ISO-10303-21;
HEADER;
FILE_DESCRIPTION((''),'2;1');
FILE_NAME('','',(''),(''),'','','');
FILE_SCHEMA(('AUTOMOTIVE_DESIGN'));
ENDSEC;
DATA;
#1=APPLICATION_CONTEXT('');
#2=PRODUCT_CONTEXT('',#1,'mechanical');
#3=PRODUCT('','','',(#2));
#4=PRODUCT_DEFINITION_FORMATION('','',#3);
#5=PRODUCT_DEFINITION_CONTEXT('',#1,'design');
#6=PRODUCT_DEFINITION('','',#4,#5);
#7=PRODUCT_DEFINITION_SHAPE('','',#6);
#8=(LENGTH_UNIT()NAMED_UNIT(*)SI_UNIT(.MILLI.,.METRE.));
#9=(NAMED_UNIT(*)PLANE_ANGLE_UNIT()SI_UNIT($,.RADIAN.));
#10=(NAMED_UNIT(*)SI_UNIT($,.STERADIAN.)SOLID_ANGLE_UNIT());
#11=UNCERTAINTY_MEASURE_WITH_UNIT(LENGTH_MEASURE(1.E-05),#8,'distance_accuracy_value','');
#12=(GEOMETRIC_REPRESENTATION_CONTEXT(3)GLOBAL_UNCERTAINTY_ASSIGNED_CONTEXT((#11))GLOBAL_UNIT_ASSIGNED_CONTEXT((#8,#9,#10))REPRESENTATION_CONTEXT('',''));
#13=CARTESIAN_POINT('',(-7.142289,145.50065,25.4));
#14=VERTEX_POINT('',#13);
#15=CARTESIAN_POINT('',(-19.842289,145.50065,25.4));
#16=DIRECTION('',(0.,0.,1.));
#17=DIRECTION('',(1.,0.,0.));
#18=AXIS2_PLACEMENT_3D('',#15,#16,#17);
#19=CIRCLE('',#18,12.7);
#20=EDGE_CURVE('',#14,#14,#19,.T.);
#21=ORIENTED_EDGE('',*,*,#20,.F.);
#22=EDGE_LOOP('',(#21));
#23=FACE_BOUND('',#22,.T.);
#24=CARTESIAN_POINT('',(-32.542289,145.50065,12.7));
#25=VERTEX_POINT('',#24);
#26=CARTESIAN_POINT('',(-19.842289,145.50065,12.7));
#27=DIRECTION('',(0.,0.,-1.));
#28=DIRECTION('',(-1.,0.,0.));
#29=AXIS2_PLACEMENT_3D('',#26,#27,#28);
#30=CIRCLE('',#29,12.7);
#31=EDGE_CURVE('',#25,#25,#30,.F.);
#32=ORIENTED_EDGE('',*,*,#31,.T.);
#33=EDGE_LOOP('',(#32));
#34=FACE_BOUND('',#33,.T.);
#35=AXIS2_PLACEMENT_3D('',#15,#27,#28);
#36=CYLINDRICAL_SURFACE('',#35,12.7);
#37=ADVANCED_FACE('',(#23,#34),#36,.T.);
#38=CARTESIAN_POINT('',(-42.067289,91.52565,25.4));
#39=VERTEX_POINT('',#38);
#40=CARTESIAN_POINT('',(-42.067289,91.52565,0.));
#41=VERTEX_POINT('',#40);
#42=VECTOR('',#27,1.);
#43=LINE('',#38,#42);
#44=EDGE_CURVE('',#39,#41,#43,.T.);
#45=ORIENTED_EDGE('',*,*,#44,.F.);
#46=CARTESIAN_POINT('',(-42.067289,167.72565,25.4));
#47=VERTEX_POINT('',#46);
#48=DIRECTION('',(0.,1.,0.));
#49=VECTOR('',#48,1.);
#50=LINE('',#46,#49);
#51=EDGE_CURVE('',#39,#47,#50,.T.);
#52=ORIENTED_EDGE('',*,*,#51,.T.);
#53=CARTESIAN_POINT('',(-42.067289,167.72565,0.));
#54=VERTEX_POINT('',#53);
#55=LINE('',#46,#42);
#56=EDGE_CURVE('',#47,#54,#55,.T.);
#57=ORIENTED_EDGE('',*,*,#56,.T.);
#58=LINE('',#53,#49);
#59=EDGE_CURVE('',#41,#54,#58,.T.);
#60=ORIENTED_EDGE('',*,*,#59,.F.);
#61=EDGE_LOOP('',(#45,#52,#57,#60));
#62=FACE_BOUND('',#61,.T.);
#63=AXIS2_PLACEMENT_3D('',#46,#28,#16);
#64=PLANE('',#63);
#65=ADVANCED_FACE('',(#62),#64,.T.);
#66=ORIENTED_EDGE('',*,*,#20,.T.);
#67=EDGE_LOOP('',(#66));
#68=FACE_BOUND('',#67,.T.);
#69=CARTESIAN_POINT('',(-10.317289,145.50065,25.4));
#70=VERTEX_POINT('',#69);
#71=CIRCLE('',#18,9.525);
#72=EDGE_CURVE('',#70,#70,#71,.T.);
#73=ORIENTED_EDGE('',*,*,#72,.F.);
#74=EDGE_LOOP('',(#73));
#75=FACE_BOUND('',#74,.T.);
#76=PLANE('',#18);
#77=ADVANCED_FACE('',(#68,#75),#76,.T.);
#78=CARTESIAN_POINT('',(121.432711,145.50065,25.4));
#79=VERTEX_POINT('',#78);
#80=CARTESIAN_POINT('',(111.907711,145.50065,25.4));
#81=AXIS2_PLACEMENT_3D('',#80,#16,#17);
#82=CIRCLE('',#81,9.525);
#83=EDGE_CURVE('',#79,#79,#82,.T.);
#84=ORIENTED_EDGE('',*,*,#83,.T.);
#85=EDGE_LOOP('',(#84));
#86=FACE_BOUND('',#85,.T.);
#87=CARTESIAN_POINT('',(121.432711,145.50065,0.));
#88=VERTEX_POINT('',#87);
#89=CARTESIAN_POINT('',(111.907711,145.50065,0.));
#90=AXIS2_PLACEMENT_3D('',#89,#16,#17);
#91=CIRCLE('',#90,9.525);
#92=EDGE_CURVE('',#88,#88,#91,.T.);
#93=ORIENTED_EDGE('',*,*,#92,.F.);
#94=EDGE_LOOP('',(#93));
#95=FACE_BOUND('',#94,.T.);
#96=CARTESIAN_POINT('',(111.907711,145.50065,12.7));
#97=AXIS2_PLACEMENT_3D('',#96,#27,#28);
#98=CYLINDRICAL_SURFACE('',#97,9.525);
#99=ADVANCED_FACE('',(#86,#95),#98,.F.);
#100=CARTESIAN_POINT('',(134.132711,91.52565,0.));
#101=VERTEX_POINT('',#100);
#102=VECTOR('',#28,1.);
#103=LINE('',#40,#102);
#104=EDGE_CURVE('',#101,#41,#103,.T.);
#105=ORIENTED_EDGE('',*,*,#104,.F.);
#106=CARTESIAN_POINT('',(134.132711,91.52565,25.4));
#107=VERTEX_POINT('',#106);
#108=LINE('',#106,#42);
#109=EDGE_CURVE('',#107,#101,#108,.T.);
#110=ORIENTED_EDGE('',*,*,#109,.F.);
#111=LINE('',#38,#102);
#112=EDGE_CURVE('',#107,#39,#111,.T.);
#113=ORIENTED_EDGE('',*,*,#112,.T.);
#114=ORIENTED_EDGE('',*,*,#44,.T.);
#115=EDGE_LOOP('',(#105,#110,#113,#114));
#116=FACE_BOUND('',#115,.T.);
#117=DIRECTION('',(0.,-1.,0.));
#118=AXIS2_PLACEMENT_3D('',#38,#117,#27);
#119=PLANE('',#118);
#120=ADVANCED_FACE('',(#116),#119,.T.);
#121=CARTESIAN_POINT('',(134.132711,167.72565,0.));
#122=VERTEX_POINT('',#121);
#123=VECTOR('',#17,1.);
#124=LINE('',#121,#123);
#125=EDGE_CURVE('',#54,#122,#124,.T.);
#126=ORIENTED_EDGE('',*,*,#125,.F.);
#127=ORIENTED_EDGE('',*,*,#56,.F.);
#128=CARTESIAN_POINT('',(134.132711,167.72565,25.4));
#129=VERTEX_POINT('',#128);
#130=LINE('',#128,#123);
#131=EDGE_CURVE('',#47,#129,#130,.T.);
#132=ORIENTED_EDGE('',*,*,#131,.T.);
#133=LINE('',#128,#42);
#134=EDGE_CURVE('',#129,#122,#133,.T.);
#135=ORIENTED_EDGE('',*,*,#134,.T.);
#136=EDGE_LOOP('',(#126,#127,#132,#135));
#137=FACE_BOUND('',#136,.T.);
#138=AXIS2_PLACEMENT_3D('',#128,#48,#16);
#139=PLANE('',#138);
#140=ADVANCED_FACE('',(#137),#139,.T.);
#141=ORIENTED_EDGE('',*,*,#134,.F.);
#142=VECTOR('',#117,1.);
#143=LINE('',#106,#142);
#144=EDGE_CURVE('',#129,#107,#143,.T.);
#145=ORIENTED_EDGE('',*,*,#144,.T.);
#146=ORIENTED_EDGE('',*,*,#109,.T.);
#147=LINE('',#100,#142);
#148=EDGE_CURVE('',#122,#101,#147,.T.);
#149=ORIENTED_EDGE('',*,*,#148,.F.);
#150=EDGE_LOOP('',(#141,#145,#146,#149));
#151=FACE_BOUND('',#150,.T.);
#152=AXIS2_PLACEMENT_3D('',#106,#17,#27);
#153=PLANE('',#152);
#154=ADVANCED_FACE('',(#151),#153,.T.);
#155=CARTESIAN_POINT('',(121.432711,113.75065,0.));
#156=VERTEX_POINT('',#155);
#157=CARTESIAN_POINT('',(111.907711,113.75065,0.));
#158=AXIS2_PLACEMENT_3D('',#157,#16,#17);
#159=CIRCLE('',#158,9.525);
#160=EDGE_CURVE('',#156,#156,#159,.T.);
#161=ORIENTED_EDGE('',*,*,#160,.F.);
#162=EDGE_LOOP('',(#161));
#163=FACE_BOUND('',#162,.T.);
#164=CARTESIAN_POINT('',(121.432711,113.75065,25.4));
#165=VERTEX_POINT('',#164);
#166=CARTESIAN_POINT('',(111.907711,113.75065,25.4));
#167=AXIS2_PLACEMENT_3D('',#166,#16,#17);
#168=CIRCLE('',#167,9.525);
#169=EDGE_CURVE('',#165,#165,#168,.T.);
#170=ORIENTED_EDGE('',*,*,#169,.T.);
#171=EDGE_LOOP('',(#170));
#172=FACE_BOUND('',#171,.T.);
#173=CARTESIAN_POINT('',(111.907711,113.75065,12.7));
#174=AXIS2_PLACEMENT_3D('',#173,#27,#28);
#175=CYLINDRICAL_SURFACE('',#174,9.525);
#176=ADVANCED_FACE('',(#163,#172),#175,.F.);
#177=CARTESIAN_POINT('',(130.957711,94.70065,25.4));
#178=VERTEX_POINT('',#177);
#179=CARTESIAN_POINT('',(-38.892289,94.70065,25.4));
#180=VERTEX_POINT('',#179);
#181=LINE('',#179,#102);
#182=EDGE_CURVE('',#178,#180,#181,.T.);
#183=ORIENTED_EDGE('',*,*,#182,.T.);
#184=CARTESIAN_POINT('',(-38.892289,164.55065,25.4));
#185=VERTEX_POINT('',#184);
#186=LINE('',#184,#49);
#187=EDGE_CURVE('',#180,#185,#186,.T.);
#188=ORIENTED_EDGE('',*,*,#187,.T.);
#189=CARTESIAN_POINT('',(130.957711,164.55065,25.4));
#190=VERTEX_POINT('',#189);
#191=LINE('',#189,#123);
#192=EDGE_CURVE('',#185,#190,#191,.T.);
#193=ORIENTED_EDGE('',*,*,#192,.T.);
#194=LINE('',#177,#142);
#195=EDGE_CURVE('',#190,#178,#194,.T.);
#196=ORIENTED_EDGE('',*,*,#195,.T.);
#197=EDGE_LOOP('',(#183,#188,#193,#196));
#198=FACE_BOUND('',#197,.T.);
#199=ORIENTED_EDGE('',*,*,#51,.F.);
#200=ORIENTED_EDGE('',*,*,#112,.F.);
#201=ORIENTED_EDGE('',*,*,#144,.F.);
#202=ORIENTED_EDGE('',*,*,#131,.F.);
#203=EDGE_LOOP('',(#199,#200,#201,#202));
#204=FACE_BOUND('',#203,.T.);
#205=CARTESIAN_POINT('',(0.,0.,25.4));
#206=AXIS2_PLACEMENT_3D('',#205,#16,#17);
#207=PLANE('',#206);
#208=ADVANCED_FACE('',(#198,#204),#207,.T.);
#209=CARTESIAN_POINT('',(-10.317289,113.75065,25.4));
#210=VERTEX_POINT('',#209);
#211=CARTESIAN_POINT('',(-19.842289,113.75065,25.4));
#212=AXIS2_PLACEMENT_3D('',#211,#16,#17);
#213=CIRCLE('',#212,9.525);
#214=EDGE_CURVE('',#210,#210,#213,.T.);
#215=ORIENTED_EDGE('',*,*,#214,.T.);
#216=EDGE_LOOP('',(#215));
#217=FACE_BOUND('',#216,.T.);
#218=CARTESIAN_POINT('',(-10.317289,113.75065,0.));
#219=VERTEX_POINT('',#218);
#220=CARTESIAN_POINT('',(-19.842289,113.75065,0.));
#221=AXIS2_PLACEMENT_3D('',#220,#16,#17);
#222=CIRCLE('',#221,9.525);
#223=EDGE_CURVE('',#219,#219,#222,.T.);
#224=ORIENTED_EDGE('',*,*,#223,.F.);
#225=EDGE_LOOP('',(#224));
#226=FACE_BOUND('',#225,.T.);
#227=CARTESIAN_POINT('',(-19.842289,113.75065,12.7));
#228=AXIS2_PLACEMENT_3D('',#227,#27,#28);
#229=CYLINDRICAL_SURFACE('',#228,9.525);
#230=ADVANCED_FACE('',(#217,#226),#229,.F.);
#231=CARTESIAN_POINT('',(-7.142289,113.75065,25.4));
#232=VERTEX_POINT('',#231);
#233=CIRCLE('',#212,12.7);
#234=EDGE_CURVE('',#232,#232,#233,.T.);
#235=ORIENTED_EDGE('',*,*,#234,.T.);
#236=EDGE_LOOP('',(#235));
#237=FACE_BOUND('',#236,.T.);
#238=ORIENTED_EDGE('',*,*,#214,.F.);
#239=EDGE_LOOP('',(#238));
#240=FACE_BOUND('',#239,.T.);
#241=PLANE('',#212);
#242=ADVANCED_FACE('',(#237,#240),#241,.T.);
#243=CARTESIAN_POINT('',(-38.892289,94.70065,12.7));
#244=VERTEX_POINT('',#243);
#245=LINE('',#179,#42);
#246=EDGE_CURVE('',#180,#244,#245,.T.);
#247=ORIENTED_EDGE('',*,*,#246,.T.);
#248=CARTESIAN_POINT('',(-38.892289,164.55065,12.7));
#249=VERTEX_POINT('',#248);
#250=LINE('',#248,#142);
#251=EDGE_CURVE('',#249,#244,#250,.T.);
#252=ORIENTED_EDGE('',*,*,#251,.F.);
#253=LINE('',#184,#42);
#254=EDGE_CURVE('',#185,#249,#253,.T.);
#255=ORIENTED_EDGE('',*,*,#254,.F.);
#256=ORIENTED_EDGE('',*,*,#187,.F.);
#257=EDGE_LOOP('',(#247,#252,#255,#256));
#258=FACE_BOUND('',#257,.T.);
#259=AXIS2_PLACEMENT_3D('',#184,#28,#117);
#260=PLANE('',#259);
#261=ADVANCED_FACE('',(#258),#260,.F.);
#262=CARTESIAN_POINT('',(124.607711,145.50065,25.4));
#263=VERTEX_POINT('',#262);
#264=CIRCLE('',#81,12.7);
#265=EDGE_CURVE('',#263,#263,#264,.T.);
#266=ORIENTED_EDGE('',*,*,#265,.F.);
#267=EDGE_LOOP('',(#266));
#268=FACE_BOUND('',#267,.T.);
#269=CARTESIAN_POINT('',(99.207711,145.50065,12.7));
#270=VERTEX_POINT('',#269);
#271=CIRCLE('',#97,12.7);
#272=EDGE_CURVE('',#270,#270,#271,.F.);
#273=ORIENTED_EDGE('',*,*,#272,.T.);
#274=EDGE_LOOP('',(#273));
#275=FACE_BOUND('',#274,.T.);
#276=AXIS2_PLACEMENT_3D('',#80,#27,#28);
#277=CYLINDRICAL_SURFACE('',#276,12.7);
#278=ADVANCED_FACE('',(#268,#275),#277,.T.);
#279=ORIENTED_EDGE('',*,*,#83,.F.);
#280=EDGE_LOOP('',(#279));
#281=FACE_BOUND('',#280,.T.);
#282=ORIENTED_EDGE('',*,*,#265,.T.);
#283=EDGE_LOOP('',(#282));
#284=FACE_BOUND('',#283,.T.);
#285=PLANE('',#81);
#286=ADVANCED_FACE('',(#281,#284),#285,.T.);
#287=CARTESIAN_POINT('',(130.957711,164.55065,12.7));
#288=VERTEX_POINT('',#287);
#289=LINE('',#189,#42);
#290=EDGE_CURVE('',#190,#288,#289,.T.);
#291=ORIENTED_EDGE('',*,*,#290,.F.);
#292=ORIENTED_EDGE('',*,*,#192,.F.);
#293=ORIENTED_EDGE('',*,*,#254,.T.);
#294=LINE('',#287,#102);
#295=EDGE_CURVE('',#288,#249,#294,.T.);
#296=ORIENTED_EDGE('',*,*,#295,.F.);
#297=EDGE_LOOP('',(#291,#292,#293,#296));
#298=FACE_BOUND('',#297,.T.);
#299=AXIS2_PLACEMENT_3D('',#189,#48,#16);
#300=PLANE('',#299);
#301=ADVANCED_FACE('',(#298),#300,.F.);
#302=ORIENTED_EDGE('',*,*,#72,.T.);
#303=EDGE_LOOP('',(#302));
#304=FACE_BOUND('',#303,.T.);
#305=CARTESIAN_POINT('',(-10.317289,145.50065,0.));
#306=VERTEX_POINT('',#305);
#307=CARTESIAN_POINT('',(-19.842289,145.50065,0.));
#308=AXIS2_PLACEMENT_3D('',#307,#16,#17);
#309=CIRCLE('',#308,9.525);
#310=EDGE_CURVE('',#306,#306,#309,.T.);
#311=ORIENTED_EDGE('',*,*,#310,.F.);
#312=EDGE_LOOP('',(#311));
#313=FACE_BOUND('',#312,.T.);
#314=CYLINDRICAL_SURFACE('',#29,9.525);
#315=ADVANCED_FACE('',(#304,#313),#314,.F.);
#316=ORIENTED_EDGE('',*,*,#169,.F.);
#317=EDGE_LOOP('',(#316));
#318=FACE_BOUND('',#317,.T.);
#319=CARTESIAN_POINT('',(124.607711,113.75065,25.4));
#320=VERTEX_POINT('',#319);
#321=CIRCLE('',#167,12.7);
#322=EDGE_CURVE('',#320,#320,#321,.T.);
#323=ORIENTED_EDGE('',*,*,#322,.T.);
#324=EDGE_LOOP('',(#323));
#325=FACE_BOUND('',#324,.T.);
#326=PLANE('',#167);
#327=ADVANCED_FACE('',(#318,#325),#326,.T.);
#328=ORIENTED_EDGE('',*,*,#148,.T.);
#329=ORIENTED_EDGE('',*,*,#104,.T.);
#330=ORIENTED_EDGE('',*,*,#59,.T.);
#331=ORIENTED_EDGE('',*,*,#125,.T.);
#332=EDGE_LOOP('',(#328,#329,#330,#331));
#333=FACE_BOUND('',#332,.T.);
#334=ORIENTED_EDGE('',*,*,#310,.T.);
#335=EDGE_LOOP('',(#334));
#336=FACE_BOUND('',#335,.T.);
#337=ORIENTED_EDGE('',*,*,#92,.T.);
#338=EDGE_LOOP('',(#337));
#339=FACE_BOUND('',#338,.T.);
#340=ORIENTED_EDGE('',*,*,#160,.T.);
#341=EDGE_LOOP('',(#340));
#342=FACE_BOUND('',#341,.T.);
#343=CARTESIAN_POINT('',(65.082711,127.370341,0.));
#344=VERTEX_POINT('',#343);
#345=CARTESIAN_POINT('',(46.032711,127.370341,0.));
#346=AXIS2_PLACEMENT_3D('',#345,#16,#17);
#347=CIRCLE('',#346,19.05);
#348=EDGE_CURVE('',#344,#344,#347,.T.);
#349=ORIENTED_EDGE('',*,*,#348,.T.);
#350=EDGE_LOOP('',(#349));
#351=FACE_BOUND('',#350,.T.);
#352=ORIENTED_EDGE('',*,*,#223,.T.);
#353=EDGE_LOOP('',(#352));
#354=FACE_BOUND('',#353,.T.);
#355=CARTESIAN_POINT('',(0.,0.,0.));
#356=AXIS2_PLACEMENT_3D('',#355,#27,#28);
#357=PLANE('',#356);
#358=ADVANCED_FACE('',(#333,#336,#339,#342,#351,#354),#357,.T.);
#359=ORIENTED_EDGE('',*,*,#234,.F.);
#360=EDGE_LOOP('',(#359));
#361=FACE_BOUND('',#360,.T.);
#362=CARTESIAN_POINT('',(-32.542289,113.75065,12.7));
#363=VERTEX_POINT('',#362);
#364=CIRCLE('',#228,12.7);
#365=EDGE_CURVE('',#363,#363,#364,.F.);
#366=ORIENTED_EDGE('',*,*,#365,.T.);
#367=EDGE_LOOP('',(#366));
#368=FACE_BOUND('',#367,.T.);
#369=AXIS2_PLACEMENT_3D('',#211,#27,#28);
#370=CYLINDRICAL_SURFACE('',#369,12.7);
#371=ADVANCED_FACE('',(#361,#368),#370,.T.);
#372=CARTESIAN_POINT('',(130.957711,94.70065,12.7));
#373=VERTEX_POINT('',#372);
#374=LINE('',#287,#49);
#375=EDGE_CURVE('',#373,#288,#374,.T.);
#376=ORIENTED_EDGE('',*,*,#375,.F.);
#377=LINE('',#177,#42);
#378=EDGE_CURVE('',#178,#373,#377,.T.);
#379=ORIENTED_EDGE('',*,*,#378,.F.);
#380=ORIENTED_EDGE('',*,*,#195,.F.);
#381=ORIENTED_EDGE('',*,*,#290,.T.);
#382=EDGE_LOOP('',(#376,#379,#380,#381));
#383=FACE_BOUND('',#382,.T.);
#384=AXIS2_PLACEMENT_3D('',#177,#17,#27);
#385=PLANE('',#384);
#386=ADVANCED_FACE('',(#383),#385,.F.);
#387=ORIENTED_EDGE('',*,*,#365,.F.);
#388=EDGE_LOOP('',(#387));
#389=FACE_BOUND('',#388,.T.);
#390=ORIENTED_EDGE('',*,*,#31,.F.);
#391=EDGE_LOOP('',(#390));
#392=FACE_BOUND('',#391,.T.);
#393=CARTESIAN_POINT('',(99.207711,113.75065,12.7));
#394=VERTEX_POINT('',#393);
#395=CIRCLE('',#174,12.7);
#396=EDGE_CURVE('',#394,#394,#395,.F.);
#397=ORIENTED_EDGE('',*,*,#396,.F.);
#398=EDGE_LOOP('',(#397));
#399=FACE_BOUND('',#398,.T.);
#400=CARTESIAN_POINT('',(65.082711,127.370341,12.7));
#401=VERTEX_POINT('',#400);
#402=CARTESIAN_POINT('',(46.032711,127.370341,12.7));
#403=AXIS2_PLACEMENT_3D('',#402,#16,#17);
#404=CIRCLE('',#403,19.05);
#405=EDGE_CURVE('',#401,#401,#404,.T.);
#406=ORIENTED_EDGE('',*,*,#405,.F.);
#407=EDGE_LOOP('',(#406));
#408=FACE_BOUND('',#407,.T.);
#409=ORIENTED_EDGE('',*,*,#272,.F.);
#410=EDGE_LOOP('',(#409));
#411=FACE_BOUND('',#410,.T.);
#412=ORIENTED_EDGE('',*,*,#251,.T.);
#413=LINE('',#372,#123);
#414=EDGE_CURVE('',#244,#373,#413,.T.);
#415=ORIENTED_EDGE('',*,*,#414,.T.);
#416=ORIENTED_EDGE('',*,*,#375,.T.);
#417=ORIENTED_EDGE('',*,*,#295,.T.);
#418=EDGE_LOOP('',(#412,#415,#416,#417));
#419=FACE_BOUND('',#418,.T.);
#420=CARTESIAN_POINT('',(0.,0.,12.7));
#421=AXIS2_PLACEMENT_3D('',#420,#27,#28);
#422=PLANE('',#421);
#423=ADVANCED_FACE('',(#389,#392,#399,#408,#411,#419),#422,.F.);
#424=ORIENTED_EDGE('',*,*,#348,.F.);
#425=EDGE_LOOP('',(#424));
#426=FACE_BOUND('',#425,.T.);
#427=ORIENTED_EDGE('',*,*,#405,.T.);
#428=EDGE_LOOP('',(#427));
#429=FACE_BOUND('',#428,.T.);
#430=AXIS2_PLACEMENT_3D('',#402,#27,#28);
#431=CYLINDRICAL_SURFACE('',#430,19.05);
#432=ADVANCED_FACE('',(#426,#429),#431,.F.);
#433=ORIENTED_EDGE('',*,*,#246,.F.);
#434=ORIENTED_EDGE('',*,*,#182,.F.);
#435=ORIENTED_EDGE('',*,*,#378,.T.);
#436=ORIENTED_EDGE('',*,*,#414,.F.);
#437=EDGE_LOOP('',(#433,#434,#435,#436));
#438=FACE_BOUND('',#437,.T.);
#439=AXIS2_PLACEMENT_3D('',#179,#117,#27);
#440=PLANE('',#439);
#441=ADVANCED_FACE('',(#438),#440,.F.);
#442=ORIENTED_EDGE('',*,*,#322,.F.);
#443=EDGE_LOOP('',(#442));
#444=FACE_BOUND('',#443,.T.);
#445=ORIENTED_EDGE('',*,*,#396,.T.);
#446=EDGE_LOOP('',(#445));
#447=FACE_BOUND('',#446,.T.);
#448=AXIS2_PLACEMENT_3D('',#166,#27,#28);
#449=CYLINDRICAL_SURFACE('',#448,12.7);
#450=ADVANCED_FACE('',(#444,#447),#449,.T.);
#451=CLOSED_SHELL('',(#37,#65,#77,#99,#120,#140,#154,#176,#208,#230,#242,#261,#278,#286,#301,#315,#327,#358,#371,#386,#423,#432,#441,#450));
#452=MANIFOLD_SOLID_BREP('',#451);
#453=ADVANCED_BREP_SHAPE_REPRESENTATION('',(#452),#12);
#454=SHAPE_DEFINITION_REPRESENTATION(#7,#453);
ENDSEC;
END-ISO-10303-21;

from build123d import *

# Parameters (mm, degrees)
SKETCH1_W           = 169.85
SKETCH1_H           = 69.85
SKETCH1_R           = 9.525
SKETCH1_R_2         = 19.05
BOSS_EXTRUDE1_DEPTH = 12.7
SKETCH2_R           = 12.7
SKETCH2_R_2         = 9.525
BOSS_EXTRUDE2_DEPTH = 12.7
SKETCH3_W           = 176.2
SKETCH3_H           = 76.2
SKETCH3_W_2         = 169.85
SKETCH3_H_2         = 69.85
BOSS_EXTRUDE3_DEPTH = 25.4


with BuildPart() as part:
    # Sketch1 → Boss-Extrude1 (new body)
    with BuildSketch(Plane.XY):
        with Locations((46.032710784, 129.625650191)):
            Rectangle(SKETCH1_W, SKETCH1_H)
        with Locations((-19.842289216, 145.500650191)):
            Circle(SKETCH1_R, mode=Mode.SUBTRACT)
        with Locations((-19.842289216, 113.750650191)):
            Circle(SKETCH1_R, mode=Mode.SUBTRACT)
        with Locations((111.907710784, 145.500650191)):
            Circle(SKETCH1_R, mode=Mode.SUBTRACT)
        with Locations((111.907710784, 113.750650191)):
            Circle(SKETCH1_R, mode=Mode.SUBTRACT)
        with Locations((46.032710784, 127.370341001)):
            Circle(SKETCH1_R_2, mode=Mode.SUBTRACT)
    extrude(amount=BOSS_EXTRUDE1_DEPTH)

    # Sketch2 → Boss-Extrude2 (add)
    with BuildSketch(Plane.XY.offset(12.7)):
        with Locations((111.907710784, 145.500650191)):
            Circle(SKETCH2_R)
        with Locations((111.907710784, 145.500650191)):
            Circle(SKETCH2_R_2, mode=Mode.SUBTRACT)
        with Locations((111.907710784, 113.750650191)):
            Circle(SKETCH2_R)
        with Locations((111.907710784, 113.750650191)):
            Circle(SKETCH2_R_2, mode=Mode.SUBTRACT)
        with Locations((-19.842289216, 113.750650191)):
            Circle(SKETCH2_R)
        with Locations((-19.842289216, 113.750650191)):
            Circle(SKETCH2_R_2, mode=Mode.SUBTRACT)
        with Locations((-19.842289216, 145.500650191)):
            Circle(SKETCH2_R)
        with Locations((-19.842289216, 145.500650191)):
            Circle(SKETCH2_R_2, mode=Mode.SUBTRACT)
    extrude(amount=BOSS_EXTRUDE2_DEPTH)

    # Sketch3 → Boss-Extrude3 (add)
    with BuildSketch(Plane(origin=(0, 0, 0), x_dir=(-1, 0, 0), z_dir=(0, 0, -1))):
        with Locations((-46.032710784, 129.625650191)):
            Rectangle(SKETCH3_W, SKETCH3_H)
        with Locations((-46.032710784, 129.625650191)):
            Rectangle(SKETCH3_W_2, SKETCH3_H_2, mode=Mode.SUBTRACT)
    extrude(amount=-BOSS_EXTRUDE3_DEPTH)


solid = part.part
